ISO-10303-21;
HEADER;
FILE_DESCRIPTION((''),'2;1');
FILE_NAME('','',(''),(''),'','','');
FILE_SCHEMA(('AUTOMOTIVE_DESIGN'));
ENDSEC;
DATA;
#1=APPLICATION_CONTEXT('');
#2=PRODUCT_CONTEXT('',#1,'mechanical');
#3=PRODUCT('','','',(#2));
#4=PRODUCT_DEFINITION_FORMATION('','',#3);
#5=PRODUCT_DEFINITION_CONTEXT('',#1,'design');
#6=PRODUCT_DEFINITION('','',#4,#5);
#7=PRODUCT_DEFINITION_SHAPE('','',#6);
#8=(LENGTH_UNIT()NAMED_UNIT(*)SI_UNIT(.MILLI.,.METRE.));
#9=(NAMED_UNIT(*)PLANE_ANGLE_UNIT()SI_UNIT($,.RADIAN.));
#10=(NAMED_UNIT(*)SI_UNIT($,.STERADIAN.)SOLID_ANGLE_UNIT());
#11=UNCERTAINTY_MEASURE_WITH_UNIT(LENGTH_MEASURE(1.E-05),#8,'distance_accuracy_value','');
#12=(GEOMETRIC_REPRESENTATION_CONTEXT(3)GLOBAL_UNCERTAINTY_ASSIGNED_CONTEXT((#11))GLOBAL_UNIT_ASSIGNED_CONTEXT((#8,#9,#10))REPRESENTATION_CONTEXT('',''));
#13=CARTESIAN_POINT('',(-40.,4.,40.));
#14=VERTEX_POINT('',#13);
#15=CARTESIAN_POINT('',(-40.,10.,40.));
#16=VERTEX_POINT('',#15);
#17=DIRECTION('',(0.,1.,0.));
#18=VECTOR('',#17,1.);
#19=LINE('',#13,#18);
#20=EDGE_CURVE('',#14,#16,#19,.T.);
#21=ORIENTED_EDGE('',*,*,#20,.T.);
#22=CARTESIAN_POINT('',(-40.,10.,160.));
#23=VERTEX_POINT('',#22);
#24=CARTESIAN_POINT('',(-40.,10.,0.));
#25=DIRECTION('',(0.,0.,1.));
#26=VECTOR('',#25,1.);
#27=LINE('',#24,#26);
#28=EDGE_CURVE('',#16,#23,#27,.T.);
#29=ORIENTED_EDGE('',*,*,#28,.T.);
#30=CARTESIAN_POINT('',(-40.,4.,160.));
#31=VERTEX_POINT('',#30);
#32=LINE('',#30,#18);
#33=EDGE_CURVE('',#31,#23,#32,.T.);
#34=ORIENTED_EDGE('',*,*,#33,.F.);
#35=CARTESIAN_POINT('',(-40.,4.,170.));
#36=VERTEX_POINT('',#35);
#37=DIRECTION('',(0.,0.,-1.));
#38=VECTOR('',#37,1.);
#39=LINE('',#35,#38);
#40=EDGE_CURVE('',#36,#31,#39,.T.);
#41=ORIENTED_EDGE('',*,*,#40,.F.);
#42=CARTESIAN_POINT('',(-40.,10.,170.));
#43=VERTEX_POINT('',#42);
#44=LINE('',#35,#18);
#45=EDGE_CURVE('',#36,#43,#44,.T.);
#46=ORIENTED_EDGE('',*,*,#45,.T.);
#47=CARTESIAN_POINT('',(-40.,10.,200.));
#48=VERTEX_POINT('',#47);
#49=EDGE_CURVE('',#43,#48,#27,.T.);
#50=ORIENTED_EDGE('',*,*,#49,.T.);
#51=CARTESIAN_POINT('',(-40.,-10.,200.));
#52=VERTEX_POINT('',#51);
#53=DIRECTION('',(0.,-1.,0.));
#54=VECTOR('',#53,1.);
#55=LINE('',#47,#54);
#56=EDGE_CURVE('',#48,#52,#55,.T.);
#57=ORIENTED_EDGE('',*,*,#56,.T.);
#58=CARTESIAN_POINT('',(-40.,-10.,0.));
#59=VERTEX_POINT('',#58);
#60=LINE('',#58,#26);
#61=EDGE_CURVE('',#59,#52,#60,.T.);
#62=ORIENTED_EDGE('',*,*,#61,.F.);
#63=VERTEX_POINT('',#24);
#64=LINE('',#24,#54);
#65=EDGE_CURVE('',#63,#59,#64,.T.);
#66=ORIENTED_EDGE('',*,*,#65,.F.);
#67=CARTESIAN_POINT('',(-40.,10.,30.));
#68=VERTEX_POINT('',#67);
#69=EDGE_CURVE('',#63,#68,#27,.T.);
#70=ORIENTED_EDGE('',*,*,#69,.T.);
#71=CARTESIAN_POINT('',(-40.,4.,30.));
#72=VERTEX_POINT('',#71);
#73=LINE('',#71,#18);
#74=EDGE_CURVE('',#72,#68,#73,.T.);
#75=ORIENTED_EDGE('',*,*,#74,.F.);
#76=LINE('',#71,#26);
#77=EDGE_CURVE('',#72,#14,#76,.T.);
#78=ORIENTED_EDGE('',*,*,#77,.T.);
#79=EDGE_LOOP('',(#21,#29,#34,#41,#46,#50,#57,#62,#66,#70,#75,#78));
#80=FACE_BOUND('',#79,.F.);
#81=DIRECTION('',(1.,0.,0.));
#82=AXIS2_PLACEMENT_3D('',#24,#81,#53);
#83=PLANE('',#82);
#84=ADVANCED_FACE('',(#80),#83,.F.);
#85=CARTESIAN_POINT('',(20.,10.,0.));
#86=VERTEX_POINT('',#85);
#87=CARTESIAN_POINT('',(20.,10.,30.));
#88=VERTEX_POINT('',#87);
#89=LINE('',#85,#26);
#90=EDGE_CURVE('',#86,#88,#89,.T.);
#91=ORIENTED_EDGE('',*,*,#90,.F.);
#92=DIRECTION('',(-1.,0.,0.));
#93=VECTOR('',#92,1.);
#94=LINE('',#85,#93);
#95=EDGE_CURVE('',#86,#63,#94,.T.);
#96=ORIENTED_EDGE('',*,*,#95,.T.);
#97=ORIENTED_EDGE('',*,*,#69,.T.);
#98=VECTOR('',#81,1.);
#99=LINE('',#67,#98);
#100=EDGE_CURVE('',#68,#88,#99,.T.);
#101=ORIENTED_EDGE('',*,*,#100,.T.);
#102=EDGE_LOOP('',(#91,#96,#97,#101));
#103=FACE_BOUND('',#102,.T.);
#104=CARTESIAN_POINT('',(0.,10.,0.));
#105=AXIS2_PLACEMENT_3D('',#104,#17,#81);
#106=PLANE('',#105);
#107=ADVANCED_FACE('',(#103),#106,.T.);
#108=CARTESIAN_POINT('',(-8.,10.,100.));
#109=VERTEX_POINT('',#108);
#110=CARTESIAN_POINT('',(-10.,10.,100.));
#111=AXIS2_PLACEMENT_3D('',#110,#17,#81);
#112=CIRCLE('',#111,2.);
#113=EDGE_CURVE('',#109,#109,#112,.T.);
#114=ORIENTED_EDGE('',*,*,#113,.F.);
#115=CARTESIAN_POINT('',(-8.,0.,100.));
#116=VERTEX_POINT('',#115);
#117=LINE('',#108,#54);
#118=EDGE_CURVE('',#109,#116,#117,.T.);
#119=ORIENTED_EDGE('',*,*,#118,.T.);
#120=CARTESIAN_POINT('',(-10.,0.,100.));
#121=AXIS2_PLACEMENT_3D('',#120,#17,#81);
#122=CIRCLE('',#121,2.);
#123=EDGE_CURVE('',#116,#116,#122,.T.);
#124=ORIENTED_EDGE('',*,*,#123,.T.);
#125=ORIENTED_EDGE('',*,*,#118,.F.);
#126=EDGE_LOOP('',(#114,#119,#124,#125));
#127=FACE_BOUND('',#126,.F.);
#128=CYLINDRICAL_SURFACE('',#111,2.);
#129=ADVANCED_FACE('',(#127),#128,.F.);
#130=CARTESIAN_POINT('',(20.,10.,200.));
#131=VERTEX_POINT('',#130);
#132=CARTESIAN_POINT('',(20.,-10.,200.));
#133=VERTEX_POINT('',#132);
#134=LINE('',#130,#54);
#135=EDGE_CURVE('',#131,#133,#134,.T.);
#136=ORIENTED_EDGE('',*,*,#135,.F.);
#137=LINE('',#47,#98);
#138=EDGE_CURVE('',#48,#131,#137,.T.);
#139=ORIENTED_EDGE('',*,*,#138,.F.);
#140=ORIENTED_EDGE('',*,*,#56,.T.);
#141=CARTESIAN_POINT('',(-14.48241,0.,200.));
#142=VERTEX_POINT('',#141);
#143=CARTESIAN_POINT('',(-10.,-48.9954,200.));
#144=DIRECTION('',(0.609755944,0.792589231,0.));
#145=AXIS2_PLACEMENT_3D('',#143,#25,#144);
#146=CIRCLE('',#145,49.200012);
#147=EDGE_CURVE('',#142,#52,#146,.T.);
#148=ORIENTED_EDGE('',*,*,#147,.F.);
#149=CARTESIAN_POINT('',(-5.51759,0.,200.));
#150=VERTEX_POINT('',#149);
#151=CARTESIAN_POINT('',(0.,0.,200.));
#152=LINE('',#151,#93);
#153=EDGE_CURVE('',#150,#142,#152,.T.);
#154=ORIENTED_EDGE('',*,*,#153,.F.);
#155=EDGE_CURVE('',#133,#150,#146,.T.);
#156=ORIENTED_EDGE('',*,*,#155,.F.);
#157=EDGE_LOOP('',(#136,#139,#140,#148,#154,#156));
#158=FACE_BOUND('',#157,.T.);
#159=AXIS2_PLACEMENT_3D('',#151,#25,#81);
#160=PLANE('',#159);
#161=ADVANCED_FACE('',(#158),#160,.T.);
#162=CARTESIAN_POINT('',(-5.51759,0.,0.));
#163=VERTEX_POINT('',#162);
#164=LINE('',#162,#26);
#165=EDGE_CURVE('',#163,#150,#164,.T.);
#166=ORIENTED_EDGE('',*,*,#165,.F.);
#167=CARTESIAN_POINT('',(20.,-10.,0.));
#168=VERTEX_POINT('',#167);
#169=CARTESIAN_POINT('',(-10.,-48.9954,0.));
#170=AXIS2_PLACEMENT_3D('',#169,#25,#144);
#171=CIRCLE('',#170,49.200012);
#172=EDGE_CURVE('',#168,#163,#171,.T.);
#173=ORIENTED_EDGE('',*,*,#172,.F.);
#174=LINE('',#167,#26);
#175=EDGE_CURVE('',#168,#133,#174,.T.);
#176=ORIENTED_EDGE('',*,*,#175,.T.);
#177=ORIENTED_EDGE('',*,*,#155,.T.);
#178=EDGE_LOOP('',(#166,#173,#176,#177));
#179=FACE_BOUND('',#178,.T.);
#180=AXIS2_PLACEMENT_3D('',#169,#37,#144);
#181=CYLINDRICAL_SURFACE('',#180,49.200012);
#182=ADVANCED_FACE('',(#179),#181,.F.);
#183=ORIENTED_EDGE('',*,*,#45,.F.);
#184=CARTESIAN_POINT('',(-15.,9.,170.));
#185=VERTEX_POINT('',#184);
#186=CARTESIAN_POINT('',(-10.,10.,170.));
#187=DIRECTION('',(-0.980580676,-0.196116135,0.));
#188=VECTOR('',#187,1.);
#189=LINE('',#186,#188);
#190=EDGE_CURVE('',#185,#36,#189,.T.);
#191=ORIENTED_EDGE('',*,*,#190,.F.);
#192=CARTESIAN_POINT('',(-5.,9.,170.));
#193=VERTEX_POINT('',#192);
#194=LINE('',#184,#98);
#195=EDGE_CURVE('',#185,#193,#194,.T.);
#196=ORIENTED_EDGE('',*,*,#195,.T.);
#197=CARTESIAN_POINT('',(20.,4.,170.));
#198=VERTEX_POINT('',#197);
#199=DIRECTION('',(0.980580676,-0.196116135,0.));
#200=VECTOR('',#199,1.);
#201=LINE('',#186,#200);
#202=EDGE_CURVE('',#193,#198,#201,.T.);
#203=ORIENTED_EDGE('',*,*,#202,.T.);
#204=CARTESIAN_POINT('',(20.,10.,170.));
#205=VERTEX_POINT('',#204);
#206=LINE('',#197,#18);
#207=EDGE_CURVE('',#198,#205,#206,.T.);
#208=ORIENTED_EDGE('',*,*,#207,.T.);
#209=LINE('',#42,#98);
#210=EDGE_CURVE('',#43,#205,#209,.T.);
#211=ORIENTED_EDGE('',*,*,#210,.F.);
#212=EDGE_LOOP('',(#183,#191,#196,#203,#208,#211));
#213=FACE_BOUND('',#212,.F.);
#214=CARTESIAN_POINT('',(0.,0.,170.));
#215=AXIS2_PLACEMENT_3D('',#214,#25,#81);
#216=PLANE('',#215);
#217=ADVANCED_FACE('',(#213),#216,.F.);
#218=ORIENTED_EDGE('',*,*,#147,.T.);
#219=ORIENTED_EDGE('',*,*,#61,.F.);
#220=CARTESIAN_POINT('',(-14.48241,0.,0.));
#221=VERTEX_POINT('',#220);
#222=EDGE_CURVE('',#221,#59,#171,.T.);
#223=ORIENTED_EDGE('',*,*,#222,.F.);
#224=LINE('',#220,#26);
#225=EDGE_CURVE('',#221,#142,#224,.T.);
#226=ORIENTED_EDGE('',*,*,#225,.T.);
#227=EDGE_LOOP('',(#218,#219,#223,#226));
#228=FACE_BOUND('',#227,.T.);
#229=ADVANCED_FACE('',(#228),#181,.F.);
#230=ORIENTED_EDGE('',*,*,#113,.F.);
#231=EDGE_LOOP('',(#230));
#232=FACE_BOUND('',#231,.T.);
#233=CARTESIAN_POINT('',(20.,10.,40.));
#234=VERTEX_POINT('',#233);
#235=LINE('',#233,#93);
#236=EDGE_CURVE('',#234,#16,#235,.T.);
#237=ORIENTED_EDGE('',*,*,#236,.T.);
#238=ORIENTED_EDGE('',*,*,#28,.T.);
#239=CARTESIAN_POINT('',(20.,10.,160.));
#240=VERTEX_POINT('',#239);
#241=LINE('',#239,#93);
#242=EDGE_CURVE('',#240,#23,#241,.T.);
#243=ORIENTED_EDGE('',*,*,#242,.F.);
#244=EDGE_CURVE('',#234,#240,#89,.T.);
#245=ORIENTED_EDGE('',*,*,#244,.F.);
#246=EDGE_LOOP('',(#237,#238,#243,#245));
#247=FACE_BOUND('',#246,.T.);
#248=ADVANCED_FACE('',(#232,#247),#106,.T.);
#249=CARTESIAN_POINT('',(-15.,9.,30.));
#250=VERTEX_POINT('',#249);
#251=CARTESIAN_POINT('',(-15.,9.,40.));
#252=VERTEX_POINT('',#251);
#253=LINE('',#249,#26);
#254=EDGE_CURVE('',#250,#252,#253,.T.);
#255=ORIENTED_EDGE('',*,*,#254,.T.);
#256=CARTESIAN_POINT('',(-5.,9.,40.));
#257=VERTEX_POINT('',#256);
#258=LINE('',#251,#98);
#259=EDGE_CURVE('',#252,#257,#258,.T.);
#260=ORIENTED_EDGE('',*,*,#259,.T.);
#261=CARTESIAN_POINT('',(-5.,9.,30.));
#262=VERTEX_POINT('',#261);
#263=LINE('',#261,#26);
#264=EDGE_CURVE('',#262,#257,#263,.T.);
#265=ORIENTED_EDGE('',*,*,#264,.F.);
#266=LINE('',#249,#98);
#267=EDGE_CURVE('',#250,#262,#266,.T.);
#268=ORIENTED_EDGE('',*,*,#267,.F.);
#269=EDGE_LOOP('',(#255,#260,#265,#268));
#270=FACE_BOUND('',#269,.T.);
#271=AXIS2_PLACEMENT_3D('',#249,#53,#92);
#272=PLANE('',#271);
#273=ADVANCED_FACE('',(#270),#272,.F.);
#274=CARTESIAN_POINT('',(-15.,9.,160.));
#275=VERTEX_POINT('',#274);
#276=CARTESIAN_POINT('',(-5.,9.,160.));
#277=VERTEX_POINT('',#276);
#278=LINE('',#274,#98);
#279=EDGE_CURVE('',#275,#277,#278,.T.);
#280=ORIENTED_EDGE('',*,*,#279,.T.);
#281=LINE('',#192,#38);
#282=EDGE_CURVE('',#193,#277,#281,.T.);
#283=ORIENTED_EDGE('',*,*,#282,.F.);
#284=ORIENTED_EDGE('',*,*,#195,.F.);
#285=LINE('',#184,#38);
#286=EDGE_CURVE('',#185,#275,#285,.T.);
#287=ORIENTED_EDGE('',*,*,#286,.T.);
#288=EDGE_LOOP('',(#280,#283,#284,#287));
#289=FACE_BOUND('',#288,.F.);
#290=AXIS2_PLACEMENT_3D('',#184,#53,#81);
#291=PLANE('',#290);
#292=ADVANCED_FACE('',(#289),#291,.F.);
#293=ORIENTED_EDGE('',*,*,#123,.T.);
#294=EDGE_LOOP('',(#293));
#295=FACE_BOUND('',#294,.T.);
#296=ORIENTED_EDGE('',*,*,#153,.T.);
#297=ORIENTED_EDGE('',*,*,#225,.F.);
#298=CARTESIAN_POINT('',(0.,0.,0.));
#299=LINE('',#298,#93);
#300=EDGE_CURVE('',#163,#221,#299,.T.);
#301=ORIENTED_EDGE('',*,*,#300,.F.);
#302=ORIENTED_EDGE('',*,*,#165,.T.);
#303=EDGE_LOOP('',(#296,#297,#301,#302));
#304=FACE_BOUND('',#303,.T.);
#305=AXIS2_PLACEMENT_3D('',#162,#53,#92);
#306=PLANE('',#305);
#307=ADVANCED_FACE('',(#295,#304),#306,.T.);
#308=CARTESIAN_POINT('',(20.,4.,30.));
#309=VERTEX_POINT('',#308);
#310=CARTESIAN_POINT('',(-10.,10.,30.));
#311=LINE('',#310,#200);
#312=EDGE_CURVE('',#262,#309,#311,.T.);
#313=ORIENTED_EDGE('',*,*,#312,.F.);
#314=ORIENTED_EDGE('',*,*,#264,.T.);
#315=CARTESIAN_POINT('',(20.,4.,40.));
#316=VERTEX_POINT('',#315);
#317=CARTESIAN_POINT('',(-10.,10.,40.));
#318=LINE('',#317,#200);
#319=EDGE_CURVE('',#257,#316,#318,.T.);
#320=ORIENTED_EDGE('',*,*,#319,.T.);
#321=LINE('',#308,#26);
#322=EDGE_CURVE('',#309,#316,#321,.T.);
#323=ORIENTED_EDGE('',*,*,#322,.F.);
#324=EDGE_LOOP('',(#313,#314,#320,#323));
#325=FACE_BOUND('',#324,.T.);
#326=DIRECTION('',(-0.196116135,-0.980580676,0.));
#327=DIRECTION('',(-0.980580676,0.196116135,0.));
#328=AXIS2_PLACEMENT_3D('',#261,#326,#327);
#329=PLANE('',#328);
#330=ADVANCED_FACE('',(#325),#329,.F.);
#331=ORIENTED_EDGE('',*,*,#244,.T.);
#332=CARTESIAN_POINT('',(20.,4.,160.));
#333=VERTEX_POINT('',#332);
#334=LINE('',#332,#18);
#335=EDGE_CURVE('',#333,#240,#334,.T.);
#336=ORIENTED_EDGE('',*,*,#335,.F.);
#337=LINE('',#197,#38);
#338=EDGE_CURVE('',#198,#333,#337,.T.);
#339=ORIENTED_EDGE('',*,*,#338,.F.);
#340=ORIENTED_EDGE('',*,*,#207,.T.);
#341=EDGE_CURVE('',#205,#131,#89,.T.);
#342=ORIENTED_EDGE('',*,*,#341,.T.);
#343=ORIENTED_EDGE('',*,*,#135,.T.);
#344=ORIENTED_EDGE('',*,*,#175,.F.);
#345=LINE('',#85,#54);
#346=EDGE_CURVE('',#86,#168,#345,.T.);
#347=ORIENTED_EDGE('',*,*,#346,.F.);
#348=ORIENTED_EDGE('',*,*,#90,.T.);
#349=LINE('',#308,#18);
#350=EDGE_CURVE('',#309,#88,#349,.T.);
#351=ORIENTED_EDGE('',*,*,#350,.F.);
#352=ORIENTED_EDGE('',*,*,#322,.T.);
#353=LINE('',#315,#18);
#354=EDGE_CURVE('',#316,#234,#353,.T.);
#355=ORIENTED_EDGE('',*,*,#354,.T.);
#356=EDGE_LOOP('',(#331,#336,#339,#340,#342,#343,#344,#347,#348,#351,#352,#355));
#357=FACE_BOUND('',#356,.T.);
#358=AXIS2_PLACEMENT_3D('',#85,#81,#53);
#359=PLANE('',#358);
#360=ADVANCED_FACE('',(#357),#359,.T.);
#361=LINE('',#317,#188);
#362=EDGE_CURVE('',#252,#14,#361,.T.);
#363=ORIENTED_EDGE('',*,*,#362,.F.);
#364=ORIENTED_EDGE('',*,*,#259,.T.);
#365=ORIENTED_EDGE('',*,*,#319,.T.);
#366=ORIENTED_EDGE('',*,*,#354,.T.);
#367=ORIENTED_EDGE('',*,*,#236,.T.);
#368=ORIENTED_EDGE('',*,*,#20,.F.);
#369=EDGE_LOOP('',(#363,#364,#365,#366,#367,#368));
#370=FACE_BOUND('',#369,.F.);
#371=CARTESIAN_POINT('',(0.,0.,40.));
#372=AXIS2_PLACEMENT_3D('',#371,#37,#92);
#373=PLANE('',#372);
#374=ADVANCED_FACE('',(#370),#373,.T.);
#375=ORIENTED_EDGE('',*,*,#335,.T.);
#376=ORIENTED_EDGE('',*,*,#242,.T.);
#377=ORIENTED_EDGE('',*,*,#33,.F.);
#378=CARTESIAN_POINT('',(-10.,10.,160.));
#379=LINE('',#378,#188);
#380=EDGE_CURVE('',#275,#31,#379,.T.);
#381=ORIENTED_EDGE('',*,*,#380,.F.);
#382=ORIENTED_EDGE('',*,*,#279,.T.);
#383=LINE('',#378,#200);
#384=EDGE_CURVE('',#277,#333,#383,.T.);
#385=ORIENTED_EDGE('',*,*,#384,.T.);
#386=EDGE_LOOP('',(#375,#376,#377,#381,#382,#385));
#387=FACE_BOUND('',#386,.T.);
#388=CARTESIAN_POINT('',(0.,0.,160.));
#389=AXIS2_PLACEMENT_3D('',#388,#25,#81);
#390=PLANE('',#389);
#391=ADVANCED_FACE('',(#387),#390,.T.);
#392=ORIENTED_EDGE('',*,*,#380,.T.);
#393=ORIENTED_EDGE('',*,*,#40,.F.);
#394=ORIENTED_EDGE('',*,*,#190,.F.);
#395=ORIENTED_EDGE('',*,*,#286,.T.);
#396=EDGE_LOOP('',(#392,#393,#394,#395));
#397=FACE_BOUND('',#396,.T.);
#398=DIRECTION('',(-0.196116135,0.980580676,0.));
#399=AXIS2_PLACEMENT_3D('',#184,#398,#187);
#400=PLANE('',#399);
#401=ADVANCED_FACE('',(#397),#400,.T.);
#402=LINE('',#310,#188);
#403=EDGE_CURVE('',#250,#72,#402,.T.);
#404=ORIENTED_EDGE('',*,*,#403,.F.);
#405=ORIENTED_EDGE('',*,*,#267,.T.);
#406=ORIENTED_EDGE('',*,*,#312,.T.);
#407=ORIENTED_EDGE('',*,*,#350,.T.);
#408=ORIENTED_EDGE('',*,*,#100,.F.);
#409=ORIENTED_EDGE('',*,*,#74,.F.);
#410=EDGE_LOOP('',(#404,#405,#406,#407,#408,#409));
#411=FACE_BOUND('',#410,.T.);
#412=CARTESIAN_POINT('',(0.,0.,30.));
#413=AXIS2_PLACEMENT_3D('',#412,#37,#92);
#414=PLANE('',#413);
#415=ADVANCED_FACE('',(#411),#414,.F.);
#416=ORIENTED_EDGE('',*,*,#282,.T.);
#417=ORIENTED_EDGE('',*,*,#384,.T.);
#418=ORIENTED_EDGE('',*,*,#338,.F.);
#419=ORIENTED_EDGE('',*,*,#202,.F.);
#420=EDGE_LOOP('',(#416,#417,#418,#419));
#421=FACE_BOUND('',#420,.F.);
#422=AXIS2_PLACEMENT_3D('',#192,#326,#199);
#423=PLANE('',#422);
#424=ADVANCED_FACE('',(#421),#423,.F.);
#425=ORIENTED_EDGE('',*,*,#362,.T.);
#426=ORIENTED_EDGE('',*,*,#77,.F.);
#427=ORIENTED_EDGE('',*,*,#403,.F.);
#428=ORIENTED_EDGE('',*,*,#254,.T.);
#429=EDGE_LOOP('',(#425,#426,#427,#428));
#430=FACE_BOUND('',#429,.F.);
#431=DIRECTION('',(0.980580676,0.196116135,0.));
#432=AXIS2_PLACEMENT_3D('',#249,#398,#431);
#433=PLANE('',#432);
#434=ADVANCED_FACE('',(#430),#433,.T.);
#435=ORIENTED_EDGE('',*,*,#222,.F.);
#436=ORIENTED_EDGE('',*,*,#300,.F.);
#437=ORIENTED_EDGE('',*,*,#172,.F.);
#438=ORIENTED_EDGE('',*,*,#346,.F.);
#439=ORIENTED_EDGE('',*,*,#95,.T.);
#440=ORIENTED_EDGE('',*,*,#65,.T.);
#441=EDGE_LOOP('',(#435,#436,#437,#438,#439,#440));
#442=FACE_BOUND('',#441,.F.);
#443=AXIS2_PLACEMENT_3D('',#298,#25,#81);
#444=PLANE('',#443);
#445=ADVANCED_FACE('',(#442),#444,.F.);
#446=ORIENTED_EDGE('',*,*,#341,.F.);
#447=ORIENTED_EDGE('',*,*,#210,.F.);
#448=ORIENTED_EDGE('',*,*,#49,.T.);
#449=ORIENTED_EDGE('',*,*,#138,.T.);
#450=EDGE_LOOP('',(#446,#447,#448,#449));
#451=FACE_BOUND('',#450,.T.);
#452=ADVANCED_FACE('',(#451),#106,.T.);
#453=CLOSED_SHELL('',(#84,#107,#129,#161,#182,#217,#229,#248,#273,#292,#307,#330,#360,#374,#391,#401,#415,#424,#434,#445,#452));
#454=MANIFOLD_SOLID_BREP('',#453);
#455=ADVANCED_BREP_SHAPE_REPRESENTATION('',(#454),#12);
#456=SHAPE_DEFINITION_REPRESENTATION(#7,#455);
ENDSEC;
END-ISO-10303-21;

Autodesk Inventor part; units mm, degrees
ref_plane "YZ Plane" through (0, 0, 0) normal (1, 0, 0) x (0, 1, 0)
sketch "Sketch1" plane through (0, 0, 0) normal (0, 0, 1) x (1, 0, 0)
  line L0 (0, 0) -> (-20, 0)
  line L1 (-20, 0) -> (-20, 10)
  line L2 (-20, 10) -> (0, 10)
  line L3 (0, 10) -> (0, 0)
  line L4 (-10, 0) -> (24.641, 0) construction
  line L5 (-10, 0) -> (24.641, 0) construction
  line L6 (0, 10) -> (20, 10)
  line L7 (20, 10) -> (20, -10)
  line L8 (-20, 10) -> (-40, 10)
  line L9 (-40, 10) -> (-40, -10)
  arc A0 (20, -10) -> (-40, -10) centre (-10, -48.9954) ccw
  point P0 (-5.5176, 0)
  point P1 (-14.4824, 0)
  dimension "d0" = 20
  dimension "d1" = 10
  dimension "d8" = 30
  dimension "d10" = 30
  dimension "d15" = 20
  dimension "d16" = 20
extrude "Extrusion1" add sketch "Sketch1" along normal blind 200
sketch "Sketch4" plane through (-40, 10, 0) normal (0, 1, 0) x (1, 0, 0)
  line L0 (0, 0) -> (0, -200) projected
  line L1 (60, 0) -> (60, -200) projected
  line L2 (0, 0) -> (60, -200) construction
  circle A0 centre (30, -100) radius 2
  point P0 (40, 0)
  dimension "d17" = 4
extrude "Extrusion4" cut sketch "Sketch4" against normal through all
ref_plane "Work Plane1" through (0, 0, 170) normal (0, 0, 1) x (1, 0, 0)
sketch "Sketch5" plane through (0, 0, 200) normal (0, 0, 1) x (1, 0, 0)
  line L0 (20, 10) -> (-40, 10) projected
  line L1 (-10, 10) -> (-40, 4)
  line L2 (-10, 10) -> (-40, 10)
  line L3 (-40, 4) -> (-40, 10)
  line L4 (-10, 10) -> (-10, 14.555) construction
  line L5 (-40, 10) -> (20, 10)
  line L6 (-10, 10) -> (20, 4)
  line L7 (-10, 10) -> (20, 10)
  line L8 (20, 4) -> (20, 10)
  line L9 (-15, 9) -> (-5, 9)
  point P0 (0, 0)
  dimension "d21" = 6
  dimension "d24" = 1
extrude "Extrusion5" cut sketch "Sketch5" against normal blind 10 from surface at -30
ref_plane "Work Plane2" through (0, 0, 100) normal (0, 0, 1) x (1, 0, 0)
mirror "Mirror1" about plane through (0, 0, 100) normal (0, 0, 1) of "Extrusion5"
equation "\"d10\" = d8"
equation "\"d16\" = d15"
properties part number "legno 2" material "Wood (Birch)"
